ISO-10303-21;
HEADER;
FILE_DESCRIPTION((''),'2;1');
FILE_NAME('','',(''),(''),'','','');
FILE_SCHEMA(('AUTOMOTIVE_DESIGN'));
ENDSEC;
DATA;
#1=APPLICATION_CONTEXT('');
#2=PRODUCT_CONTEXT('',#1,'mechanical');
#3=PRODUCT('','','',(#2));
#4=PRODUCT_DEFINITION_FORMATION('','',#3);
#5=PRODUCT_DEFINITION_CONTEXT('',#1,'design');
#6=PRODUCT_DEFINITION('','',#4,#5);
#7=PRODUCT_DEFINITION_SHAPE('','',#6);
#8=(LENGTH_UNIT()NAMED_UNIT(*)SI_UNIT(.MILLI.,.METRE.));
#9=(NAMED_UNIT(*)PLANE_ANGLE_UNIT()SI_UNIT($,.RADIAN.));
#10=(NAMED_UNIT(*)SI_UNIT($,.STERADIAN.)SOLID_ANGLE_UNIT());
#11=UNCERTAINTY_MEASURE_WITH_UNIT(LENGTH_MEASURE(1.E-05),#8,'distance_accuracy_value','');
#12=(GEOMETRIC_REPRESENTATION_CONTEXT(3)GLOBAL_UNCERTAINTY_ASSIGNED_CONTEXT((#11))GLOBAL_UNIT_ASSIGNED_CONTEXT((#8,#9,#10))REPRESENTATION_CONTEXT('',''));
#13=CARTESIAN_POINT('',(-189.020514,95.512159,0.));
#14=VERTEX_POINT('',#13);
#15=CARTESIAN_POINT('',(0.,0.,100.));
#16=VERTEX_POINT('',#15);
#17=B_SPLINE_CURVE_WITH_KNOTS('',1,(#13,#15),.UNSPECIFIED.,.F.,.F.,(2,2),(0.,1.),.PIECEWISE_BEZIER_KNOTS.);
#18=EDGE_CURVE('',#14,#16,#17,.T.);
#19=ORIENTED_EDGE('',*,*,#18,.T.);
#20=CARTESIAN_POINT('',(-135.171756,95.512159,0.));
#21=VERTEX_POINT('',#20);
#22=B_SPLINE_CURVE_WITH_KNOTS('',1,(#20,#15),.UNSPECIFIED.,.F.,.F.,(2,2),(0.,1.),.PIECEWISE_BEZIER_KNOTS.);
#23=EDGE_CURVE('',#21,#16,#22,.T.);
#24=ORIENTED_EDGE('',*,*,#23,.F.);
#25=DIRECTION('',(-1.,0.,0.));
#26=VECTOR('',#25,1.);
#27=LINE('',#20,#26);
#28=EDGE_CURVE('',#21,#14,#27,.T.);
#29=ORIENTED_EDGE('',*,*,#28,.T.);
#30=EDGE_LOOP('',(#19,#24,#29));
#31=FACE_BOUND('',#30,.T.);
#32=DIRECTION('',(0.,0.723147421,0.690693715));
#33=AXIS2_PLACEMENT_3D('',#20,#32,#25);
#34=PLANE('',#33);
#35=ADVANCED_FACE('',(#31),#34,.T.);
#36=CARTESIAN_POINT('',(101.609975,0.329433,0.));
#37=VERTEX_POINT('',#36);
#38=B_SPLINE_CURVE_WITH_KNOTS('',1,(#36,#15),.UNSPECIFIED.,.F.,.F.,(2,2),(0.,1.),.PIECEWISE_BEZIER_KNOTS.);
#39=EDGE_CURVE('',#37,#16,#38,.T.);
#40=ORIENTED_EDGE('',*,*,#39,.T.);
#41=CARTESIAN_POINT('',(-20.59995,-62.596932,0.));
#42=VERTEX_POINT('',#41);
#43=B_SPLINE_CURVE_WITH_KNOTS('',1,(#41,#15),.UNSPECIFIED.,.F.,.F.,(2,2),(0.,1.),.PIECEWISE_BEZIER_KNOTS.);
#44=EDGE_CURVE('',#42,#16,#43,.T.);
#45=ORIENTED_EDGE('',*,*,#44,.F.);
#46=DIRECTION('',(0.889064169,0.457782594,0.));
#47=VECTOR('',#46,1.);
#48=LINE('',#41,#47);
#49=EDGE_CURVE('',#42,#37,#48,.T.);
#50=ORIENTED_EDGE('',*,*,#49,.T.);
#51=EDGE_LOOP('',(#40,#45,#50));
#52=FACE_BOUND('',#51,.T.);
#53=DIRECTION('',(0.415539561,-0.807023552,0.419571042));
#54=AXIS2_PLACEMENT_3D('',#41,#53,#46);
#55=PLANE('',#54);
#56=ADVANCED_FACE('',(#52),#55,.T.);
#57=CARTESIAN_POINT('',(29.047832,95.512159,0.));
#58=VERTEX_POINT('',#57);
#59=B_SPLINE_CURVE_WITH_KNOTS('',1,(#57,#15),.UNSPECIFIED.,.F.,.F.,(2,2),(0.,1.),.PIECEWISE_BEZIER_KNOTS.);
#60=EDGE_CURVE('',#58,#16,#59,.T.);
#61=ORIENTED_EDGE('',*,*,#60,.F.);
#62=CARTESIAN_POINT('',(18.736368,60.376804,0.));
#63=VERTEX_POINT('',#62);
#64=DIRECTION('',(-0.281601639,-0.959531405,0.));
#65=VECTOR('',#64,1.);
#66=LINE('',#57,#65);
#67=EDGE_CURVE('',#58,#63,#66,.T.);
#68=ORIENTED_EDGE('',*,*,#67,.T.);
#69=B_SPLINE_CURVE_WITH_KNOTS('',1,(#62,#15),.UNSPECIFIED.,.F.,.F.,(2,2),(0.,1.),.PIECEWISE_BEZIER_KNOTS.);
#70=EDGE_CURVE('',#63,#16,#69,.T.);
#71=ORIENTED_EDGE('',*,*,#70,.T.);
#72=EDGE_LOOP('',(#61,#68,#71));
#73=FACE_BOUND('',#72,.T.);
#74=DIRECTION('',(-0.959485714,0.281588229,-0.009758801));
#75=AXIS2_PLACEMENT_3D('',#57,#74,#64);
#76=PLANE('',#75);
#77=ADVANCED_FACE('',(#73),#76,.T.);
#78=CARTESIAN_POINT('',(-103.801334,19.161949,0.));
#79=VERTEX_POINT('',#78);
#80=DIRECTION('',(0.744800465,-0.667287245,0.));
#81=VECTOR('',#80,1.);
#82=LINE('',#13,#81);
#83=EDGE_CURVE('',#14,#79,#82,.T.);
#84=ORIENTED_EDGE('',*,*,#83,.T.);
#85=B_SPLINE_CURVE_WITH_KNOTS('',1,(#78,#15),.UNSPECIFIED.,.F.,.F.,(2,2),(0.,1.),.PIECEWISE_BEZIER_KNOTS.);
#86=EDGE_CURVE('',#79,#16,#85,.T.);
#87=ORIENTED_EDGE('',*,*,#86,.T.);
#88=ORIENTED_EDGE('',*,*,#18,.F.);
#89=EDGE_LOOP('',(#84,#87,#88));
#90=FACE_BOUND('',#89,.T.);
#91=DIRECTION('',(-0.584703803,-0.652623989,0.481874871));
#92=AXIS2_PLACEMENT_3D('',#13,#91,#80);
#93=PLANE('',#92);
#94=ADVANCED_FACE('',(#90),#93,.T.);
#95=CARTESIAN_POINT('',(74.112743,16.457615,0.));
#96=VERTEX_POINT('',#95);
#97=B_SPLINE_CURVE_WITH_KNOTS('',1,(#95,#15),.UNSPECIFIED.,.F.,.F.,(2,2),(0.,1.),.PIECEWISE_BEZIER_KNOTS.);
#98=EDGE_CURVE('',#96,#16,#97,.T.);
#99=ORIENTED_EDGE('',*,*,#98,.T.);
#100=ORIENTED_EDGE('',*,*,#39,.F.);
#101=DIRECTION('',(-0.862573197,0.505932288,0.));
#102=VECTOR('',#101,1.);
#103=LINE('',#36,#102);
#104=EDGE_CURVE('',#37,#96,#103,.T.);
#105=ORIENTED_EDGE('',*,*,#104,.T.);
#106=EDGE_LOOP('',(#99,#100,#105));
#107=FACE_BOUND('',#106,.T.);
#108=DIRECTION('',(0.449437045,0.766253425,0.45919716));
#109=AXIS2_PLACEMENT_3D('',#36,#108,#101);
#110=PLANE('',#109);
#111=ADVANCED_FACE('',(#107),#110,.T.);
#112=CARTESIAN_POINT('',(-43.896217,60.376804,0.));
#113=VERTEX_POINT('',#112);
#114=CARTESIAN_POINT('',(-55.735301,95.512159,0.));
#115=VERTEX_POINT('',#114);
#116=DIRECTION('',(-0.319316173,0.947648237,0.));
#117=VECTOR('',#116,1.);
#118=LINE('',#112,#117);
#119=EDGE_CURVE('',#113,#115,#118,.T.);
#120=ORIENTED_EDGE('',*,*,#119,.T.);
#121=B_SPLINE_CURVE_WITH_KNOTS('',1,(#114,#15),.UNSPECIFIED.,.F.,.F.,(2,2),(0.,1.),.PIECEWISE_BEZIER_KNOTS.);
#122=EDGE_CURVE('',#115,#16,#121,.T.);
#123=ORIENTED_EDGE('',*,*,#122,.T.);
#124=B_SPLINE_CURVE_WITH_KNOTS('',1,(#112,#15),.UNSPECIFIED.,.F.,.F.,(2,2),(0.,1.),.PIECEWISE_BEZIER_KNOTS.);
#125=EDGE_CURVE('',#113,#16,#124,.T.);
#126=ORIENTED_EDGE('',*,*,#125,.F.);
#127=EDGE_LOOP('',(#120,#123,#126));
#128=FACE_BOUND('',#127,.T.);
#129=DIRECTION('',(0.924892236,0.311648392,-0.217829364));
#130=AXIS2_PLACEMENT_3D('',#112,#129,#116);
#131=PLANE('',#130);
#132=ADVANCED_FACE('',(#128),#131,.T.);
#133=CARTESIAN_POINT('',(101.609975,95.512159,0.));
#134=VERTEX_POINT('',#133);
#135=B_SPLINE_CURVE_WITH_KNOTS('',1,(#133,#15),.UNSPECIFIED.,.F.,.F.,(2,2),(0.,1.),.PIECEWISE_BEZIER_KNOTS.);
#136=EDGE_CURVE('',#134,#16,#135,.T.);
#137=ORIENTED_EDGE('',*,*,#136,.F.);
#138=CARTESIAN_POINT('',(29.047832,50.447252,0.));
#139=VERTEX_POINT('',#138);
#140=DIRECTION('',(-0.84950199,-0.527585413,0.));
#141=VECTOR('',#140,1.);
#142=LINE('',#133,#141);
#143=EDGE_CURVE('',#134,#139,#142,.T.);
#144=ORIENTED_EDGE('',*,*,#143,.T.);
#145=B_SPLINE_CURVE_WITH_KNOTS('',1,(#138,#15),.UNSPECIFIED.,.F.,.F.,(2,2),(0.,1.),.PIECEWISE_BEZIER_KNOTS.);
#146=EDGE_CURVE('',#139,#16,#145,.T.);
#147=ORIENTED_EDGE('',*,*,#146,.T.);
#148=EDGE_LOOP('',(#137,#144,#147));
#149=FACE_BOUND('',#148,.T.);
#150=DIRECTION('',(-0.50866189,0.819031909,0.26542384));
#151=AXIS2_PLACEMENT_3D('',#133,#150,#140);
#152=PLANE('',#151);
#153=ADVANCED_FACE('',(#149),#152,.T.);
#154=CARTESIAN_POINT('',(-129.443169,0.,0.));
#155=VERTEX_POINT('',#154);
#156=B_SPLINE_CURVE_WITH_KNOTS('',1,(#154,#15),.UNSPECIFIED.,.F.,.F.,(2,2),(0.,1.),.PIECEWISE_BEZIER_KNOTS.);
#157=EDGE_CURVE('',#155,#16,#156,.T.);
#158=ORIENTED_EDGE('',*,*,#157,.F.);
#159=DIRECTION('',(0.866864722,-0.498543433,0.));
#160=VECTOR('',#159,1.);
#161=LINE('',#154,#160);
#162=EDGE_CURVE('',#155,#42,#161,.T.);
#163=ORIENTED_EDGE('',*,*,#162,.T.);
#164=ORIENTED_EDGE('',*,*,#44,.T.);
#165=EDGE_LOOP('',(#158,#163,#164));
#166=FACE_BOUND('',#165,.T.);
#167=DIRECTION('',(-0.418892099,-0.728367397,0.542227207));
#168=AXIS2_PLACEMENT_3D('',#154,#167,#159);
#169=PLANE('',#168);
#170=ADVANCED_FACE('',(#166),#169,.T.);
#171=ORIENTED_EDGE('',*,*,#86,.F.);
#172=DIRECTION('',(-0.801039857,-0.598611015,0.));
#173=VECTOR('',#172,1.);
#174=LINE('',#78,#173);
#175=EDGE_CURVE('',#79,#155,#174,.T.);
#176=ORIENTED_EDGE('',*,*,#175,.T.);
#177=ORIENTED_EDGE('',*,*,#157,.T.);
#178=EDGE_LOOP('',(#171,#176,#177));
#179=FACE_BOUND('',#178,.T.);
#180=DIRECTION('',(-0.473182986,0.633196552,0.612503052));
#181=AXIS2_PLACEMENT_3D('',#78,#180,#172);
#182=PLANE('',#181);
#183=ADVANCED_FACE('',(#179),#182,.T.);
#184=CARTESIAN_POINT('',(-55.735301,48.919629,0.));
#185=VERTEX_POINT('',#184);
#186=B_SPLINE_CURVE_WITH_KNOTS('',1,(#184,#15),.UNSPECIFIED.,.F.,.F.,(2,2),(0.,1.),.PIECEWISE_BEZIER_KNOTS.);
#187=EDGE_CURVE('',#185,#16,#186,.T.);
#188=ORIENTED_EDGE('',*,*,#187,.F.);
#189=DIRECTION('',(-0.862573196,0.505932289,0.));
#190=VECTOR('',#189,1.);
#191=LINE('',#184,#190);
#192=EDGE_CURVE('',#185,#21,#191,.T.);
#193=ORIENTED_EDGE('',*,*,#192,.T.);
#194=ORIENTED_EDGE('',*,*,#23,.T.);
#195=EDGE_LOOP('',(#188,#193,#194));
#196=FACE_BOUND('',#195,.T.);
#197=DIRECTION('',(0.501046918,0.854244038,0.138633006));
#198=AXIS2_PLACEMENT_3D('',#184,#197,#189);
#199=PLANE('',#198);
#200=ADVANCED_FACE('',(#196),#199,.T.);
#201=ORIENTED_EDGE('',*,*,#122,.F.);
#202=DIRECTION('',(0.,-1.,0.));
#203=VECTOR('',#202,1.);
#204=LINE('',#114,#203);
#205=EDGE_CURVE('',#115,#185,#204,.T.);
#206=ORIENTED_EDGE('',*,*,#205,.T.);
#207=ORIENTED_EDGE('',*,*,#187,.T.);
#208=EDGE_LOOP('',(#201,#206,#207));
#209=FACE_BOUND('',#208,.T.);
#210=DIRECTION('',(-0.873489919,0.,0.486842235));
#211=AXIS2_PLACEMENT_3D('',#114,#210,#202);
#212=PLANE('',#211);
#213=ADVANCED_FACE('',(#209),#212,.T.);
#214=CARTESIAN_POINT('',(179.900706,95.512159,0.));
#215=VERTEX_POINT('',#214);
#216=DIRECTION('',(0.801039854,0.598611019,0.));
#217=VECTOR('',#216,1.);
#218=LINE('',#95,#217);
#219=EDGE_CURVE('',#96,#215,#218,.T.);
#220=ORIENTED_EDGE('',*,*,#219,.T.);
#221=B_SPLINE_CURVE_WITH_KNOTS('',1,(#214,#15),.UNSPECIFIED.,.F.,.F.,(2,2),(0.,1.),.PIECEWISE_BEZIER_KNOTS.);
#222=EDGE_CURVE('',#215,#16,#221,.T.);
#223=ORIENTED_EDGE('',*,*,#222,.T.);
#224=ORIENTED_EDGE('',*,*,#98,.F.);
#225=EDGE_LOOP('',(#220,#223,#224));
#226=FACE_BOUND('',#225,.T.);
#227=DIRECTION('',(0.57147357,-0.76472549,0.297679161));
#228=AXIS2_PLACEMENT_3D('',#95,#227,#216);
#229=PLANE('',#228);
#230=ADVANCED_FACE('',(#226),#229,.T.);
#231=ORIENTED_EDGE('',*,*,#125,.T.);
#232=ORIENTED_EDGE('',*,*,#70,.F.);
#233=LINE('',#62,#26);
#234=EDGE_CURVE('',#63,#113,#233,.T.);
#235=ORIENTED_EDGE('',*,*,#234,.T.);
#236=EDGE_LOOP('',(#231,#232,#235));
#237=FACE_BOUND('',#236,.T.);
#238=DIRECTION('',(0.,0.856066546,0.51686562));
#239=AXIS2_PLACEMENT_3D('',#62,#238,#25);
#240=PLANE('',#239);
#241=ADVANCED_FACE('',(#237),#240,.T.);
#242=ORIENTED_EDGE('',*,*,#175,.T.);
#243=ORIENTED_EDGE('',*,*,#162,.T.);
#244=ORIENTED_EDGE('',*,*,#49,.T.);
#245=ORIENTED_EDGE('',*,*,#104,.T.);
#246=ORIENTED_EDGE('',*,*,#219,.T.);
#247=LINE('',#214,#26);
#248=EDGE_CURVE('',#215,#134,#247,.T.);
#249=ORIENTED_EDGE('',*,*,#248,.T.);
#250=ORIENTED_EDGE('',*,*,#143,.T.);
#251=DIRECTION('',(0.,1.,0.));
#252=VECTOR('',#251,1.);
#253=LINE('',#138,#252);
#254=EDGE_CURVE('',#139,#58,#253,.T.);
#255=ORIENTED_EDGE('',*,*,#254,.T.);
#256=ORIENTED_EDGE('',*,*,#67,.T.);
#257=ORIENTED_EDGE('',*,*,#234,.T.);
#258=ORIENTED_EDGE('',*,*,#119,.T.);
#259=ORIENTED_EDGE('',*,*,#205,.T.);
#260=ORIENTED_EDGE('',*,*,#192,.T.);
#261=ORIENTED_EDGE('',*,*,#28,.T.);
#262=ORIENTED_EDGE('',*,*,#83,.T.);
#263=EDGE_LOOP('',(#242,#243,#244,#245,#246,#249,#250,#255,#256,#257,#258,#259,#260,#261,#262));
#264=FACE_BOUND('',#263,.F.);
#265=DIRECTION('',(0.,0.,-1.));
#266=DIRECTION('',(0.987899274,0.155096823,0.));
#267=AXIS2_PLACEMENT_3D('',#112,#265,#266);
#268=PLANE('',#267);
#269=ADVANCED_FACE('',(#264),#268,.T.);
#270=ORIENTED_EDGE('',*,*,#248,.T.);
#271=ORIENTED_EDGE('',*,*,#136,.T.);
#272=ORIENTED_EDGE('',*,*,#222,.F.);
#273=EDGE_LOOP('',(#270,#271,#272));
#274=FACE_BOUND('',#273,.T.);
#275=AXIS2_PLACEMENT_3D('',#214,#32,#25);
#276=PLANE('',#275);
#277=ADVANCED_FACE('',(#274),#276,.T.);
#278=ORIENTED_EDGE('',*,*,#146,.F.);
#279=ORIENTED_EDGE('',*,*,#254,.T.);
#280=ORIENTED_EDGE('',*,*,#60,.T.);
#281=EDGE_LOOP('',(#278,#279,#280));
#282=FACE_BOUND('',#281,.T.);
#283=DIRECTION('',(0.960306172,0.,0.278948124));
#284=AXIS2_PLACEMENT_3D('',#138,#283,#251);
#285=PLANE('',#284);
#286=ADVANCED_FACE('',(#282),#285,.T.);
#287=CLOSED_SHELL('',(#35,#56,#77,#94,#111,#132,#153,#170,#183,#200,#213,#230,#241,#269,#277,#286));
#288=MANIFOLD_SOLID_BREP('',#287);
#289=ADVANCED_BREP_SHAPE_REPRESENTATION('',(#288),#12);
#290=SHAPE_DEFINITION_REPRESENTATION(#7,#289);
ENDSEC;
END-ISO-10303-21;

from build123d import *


with BuildPart() as f3:
    # F0 (on Top) → F3 section 0
    with BuildSketch(Plane.XY, mode=Mode.PRIVATE) as f3_s0:
        Polygon((-43.896217, 60.376804), (-55.735301, 95.512159), (-55.735301, 48.919629), (-135.171756, 95.512159), (-189.020514, 95.512159), (-103.801334, 19.161949), (-129.443169, 0), (-20.59995, -62.596932), (101.609975, 0.329433), (74.112743, 16.457615), (179.900706, 95.512159), (101.609975, 95.512159), (29.047832, 50.447252), (29.047832, 95.512159), (18.736368, 60.376804), align=None)
    loft([f3_s0.sketch, Vertex(0, 0, 100)])


solid = f3.part
